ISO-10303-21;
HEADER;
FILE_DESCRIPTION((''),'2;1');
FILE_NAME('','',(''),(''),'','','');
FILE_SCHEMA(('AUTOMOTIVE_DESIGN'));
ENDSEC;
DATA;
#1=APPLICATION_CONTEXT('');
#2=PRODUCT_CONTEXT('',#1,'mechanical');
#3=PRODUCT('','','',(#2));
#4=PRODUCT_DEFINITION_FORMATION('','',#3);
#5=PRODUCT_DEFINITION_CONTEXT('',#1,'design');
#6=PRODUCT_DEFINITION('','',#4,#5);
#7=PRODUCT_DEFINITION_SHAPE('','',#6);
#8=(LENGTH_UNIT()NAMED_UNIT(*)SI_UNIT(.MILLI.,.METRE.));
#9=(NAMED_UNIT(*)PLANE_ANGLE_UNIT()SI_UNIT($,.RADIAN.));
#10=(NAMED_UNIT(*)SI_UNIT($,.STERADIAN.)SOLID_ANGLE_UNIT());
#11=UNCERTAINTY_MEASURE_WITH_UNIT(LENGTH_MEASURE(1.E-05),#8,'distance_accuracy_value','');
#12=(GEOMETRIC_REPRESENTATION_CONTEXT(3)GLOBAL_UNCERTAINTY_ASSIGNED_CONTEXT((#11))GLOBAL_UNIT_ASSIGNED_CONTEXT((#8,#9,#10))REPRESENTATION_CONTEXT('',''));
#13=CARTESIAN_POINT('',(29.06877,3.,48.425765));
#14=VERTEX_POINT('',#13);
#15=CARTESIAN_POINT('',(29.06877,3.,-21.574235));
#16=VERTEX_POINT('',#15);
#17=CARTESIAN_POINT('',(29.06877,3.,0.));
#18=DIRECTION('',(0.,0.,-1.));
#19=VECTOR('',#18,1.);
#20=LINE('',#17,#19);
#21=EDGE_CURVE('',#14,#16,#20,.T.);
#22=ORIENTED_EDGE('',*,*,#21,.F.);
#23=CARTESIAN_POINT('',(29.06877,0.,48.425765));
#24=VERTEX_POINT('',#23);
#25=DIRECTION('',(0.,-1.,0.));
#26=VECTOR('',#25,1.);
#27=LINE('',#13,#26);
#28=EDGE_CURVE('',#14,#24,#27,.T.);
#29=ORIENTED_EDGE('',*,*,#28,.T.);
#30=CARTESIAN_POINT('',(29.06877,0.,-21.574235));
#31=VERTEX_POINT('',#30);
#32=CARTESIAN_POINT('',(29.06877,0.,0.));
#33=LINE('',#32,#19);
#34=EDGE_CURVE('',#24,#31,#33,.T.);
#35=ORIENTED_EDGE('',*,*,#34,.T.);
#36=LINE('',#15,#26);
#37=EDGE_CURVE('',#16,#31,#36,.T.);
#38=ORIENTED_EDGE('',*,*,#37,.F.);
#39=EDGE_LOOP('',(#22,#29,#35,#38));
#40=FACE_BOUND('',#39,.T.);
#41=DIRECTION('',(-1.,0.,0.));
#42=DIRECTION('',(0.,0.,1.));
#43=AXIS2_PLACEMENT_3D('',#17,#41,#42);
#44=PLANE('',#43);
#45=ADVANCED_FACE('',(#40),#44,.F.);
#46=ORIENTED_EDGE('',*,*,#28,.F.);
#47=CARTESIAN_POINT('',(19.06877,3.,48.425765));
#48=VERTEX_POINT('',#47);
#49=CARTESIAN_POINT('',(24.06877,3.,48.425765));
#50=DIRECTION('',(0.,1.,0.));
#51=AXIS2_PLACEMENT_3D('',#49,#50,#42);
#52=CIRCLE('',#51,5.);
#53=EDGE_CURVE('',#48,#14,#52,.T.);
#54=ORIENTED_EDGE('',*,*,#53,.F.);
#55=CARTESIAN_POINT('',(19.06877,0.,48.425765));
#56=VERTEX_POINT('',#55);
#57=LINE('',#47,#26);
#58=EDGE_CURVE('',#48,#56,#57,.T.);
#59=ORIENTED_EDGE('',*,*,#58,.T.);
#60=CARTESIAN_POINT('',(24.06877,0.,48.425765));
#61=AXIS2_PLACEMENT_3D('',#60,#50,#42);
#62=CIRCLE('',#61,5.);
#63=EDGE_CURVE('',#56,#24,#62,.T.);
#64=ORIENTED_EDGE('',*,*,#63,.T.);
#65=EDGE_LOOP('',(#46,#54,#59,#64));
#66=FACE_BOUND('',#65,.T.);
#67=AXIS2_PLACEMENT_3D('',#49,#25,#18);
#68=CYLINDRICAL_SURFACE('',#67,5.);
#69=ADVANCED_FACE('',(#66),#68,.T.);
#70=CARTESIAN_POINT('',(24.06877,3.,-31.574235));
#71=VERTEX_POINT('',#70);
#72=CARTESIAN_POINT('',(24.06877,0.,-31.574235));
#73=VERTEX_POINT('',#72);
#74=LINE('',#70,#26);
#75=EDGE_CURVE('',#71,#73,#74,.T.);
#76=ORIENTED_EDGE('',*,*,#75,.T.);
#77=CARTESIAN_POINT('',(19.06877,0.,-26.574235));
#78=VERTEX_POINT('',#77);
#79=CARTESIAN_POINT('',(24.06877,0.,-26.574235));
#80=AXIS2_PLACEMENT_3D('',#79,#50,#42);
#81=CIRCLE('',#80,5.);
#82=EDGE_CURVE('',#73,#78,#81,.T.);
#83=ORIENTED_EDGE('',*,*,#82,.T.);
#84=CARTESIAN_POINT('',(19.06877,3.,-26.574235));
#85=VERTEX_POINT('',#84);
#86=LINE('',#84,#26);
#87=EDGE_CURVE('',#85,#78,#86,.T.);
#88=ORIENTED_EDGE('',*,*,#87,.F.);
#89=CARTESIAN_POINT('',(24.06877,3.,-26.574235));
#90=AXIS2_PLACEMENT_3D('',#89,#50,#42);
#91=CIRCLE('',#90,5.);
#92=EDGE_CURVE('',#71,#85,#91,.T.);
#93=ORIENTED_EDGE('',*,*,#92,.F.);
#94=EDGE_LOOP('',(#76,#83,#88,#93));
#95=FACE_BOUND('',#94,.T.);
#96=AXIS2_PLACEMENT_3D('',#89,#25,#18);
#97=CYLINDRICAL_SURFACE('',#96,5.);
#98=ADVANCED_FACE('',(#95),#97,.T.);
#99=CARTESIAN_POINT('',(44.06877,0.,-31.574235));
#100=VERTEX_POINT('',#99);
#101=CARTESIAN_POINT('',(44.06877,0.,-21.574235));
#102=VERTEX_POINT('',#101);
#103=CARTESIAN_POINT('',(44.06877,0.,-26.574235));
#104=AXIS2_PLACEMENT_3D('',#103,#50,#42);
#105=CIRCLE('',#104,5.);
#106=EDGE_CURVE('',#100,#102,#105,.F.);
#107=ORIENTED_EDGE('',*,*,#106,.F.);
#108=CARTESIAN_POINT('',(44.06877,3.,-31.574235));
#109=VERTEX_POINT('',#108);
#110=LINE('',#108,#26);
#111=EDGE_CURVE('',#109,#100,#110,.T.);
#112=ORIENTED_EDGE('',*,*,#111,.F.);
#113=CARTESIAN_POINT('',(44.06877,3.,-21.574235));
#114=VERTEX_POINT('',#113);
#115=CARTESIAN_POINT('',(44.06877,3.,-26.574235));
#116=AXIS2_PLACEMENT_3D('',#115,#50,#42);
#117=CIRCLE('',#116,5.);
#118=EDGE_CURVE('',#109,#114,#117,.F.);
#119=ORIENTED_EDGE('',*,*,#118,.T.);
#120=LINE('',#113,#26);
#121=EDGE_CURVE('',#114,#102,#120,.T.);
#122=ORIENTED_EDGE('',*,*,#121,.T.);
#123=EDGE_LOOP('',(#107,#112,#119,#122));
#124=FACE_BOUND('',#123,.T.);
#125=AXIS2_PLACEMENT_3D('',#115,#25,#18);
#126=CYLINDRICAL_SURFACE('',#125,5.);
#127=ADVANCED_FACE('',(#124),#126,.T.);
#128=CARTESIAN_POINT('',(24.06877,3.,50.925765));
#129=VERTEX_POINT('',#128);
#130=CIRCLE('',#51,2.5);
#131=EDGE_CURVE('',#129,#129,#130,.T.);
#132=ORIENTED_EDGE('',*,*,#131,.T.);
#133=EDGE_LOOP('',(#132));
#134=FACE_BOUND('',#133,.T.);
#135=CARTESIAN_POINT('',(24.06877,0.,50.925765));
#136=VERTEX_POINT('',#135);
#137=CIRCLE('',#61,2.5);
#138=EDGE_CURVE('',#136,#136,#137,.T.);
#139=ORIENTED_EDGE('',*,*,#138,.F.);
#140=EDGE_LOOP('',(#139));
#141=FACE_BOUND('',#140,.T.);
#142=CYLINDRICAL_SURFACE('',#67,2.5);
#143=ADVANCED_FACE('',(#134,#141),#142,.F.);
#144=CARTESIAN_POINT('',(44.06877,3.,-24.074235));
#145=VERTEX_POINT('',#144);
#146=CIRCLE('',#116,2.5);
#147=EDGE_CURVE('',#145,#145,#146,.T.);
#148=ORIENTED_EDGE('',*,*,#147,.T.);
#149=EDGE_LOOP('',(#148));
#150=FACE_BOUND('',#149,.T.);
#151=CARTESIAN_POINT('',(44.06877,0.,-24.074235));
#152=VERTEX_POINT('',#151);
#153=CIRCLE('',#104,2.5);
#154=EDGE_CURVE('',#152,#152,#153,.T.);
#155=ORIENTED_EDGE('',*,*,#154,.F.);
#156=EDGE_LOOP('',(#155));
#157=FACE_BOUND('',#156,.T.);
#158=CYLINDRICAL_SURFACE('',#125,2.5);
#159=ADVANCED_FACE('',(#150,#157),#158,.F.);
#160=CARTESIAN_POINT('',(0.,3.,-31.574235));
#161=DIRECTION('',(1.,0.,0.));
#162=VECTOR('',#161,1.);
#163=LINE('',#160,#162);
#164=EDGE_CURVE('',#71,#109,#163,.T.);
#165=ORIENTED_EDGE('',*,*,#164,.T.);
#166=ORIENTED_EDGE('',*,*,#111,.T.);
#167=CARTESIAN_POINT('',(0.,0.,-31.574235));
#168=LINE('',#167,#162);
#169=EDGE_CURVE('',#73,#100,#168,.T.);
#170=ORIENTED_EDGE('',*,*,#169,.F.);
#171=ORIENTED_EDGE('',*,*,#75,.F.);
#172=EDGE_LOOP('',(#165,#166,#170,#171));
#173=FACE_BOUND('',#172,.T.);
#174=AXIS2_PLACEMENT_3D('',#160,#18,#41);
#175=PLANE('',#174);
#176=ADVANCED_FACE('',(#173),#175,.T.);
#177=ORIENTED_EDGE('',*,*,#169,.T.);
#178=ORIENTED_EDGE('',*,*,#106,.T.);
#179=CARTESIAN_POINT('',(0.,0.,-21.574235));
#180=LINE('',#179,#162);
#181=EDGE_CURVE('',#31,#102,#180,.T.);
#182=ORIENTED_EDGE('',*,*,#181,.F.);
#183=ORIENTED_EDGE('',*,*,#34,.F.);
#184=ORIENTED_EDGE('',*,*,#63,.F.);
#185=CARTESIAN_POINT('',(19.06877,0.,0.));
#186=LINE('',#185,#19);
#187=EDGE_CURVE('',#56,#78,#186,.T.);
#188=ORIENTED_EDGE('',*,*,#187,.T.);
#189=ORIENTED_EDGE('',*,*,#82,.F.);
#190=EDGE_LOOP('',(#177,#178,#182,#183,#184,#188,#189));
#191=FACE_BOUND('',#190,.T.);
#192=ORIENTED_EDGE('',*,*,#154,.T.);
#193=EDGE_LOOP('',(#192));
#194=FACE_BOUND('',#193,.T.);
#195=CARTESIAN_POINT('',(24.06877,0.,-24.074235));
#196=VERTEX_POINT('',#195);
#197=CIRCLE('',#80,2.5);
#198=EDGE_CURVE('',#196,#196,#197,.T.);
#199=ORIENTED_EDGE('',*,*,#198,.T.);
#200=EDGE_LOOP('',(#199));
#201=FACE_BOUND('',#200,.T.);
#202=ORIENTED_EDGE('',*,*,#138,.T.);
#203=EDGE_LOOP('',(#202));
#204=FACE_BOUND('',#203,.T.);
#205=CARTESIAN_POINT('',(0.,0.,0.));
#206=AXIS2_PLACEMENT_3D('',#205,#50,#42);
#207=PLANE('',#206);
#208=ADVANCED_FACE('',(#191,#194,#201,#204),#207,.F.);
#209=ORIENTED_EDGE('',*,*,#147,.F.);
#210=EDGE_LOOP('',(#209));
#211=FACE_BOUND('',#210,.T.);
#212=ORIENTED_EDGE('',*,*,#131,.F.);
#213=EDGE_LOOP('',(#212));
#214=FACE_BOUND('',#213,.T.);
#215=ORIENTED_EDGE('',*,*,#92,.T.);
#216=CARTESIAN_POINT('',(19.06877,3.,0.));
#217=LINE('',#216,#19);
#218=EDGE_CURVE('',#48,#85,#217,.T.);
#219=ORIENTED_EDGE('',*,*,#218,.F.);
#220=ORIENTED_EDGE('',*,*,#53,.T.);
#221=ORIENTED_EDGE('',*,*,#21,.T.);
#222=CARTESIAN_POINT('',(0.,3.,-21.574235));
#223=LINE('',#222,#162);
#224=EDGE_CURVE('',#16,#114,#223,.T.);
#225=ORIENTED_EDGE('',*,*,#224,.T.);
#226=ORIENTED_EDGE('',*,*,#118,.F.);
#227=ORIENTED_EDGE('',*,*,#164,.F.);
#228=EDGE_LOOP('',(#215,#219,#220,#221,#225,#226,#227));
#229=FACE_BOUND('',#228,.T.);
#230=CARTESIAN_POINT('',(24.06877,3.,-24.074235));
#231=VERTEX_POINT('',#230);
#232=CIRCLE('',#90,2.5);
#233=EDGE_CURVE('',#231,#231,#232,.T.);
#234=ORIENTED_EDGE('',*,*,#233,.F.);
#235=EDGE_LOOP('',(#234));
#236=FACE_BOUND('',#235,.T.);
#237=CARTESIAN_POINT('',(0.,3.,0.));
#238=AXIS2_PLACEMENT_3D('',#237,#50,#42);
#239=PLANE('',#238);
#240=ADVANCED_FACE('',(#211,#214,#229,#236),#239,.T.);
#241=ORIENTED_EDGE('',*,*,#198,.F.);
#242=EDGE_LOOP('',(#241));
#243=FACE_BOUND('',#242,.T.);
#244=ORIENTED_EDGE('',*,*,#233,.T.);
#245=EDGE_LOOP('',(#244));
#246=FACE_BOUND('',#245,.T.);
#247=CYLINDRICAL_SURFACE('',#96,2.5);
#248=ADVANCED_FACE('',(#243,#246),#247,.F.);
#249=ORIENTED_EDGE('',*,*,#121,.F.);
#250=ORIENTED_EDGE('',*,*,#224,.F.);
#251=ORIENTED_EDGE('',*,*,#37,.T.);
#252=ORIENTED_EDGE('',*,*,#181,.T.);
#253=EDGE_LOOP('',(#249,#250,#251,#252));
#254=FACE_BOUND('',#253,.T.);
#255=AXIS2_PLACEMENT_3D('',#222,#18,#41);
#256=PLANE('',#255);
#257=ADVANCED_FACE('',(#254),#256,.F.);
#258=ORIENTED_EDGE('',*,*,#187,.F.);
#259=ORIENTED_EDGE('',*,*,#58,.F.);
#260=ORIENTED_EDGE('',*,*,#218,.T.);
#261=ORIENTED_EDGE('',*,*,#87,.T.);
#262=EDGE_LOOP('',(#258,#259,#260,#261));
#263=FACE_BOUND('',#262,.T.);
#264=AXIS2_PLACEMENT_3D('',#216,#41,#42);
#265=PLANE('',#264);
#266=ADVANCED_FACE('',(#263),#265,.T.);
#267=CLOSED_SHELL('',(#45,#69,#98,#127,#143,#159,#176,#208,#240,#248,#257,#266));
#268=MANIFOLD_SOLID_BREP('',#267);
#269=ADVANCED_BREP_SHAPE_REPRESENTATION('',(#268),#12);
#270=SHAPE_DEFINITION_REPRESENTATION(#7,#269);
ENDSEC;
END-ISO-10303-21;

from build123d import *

# Parameters (mm, degrees)
SKETCH1_R           = 2.5
BOSS_EXTRUDE1_DEPTH = 3


with BuildPart() as part:
    # Sketch1 → Boss-Extrude1 (new body)
    # profile 1 of 4: a face of its own
    with BuildSketch(Plane(origin=(0, 0, 0), x_dir=(1, 0, 0), z_dir=(0, 1, 0))):
        with BuildLine():
            Line((19.068769591, 26.574235382), (19.068769591, -48.425764618))
            ThreePointArc((19.068769591, -48.425764618), (24.068769591, -53.425764618), (29.068769591, -48.425764618))
            Line((29.068769591, -48.425764618), (29.068769591, 21.574235382))
            Line((29.068769591, 21.574235382), (24.068769591, 21.574235382))
            Line((24.068769591, 21.574235382), (24.068769591, 24.074235382))
            ThreePointArc((24.068769591, 24.074235382), (22.301002638, 24.806468429), (21.568769591, 26.574235382))
            Line((21.568769591, 26.574235382), (19.068769591, 26.574235382))
        make_face()
        with Locations(Location((24.068769591, -48.425764618, 0), (0, 0, 270))):
            Circle(SKETCH1_R, mode=Mode.SUBTRACT)
    # profile 2 of 4: a face of its own
    with BuildSketch(Plane(origin=(0, 0, 0), x_dir=(1, 0, 0), z_dir=(0, 1, 0))):
        with BuildLine():
            Line((44.068769591, 31.574235382), (24.068769591, 31.574235382))
            Line((24.068769591, 31.574235382), (24.068769591, 29.074235382))
            ThreePointArc((24.068769591, 29.074235382), (25.836536544, 28.342002335), (26.568769591, 26.574235382))
            Line((26.568769591, 26.574235382), (29.068769591, 26.574235382))
            Line((29.068769591, 26.574235382), (29.068769591, 21.574235382))
            Line((29.068769591, 21.574235382), (44.068769591, 21.574235382))
            ThreePointArc((44.068769591, 21.574235382), (49.068769591, 26.574235382), (44.068769591, 31.574235382))
        make_face()
        with Locations(Location((44.068769591, 26.574235382, 0), (0, 0, 270))):
            Circle(SKETCH1_R, mode=Mode.SUBTRACT)
    # profile 3 of 4: a face of its own
    with BuildSketch(Plane(origin=(0, 0, 0), x_dir=(1, 0, 0), z_dir=(0, 1, 0))):
        with BuildLine():
            Line((24.068769591, 21.574235382), (29.068769591, 21.574235382))
            Line((29.068769591, 21.574235382), (29.068769591, 26.574235382))
            Line((29.068769591, 26.574235382), (26.568769591, 26.574235382))
            ThreePointArc((26.568769591, 26.574235382), (25.836536544, 24.806468429), (24.068769591, 24.074235382))
            Line((24.068769591, 24.074235382), (24.068769591, 21.574235382))
        make_face()
    # profile 4 of 4: a face of its own
    with BuildSketch(Plane(origin=(0, 0, 0), x_dir=(1, 0, 0), z_dir=(0, 1, 0))):
        with BuildLine():
            ThreePointArc((24.068769591, 31.574235382), (20.533235685, 30.109769288), (19.068769591, 26.574235382))
            Line((19.068769591, 26.574235382), (21.568769591, 26.574235382))
            ThreePointArc((21.568769591, 26.574235382), (22.301002638, 28.342002335), (24.068769591, 29.074235382))
            Line((24.068769591, 29.074235382), (24.068769591, 31.574235382))
        make_face()
    extrude(amount=BOSS_EXTRUDE1_DEPTH)


solid = part.part
